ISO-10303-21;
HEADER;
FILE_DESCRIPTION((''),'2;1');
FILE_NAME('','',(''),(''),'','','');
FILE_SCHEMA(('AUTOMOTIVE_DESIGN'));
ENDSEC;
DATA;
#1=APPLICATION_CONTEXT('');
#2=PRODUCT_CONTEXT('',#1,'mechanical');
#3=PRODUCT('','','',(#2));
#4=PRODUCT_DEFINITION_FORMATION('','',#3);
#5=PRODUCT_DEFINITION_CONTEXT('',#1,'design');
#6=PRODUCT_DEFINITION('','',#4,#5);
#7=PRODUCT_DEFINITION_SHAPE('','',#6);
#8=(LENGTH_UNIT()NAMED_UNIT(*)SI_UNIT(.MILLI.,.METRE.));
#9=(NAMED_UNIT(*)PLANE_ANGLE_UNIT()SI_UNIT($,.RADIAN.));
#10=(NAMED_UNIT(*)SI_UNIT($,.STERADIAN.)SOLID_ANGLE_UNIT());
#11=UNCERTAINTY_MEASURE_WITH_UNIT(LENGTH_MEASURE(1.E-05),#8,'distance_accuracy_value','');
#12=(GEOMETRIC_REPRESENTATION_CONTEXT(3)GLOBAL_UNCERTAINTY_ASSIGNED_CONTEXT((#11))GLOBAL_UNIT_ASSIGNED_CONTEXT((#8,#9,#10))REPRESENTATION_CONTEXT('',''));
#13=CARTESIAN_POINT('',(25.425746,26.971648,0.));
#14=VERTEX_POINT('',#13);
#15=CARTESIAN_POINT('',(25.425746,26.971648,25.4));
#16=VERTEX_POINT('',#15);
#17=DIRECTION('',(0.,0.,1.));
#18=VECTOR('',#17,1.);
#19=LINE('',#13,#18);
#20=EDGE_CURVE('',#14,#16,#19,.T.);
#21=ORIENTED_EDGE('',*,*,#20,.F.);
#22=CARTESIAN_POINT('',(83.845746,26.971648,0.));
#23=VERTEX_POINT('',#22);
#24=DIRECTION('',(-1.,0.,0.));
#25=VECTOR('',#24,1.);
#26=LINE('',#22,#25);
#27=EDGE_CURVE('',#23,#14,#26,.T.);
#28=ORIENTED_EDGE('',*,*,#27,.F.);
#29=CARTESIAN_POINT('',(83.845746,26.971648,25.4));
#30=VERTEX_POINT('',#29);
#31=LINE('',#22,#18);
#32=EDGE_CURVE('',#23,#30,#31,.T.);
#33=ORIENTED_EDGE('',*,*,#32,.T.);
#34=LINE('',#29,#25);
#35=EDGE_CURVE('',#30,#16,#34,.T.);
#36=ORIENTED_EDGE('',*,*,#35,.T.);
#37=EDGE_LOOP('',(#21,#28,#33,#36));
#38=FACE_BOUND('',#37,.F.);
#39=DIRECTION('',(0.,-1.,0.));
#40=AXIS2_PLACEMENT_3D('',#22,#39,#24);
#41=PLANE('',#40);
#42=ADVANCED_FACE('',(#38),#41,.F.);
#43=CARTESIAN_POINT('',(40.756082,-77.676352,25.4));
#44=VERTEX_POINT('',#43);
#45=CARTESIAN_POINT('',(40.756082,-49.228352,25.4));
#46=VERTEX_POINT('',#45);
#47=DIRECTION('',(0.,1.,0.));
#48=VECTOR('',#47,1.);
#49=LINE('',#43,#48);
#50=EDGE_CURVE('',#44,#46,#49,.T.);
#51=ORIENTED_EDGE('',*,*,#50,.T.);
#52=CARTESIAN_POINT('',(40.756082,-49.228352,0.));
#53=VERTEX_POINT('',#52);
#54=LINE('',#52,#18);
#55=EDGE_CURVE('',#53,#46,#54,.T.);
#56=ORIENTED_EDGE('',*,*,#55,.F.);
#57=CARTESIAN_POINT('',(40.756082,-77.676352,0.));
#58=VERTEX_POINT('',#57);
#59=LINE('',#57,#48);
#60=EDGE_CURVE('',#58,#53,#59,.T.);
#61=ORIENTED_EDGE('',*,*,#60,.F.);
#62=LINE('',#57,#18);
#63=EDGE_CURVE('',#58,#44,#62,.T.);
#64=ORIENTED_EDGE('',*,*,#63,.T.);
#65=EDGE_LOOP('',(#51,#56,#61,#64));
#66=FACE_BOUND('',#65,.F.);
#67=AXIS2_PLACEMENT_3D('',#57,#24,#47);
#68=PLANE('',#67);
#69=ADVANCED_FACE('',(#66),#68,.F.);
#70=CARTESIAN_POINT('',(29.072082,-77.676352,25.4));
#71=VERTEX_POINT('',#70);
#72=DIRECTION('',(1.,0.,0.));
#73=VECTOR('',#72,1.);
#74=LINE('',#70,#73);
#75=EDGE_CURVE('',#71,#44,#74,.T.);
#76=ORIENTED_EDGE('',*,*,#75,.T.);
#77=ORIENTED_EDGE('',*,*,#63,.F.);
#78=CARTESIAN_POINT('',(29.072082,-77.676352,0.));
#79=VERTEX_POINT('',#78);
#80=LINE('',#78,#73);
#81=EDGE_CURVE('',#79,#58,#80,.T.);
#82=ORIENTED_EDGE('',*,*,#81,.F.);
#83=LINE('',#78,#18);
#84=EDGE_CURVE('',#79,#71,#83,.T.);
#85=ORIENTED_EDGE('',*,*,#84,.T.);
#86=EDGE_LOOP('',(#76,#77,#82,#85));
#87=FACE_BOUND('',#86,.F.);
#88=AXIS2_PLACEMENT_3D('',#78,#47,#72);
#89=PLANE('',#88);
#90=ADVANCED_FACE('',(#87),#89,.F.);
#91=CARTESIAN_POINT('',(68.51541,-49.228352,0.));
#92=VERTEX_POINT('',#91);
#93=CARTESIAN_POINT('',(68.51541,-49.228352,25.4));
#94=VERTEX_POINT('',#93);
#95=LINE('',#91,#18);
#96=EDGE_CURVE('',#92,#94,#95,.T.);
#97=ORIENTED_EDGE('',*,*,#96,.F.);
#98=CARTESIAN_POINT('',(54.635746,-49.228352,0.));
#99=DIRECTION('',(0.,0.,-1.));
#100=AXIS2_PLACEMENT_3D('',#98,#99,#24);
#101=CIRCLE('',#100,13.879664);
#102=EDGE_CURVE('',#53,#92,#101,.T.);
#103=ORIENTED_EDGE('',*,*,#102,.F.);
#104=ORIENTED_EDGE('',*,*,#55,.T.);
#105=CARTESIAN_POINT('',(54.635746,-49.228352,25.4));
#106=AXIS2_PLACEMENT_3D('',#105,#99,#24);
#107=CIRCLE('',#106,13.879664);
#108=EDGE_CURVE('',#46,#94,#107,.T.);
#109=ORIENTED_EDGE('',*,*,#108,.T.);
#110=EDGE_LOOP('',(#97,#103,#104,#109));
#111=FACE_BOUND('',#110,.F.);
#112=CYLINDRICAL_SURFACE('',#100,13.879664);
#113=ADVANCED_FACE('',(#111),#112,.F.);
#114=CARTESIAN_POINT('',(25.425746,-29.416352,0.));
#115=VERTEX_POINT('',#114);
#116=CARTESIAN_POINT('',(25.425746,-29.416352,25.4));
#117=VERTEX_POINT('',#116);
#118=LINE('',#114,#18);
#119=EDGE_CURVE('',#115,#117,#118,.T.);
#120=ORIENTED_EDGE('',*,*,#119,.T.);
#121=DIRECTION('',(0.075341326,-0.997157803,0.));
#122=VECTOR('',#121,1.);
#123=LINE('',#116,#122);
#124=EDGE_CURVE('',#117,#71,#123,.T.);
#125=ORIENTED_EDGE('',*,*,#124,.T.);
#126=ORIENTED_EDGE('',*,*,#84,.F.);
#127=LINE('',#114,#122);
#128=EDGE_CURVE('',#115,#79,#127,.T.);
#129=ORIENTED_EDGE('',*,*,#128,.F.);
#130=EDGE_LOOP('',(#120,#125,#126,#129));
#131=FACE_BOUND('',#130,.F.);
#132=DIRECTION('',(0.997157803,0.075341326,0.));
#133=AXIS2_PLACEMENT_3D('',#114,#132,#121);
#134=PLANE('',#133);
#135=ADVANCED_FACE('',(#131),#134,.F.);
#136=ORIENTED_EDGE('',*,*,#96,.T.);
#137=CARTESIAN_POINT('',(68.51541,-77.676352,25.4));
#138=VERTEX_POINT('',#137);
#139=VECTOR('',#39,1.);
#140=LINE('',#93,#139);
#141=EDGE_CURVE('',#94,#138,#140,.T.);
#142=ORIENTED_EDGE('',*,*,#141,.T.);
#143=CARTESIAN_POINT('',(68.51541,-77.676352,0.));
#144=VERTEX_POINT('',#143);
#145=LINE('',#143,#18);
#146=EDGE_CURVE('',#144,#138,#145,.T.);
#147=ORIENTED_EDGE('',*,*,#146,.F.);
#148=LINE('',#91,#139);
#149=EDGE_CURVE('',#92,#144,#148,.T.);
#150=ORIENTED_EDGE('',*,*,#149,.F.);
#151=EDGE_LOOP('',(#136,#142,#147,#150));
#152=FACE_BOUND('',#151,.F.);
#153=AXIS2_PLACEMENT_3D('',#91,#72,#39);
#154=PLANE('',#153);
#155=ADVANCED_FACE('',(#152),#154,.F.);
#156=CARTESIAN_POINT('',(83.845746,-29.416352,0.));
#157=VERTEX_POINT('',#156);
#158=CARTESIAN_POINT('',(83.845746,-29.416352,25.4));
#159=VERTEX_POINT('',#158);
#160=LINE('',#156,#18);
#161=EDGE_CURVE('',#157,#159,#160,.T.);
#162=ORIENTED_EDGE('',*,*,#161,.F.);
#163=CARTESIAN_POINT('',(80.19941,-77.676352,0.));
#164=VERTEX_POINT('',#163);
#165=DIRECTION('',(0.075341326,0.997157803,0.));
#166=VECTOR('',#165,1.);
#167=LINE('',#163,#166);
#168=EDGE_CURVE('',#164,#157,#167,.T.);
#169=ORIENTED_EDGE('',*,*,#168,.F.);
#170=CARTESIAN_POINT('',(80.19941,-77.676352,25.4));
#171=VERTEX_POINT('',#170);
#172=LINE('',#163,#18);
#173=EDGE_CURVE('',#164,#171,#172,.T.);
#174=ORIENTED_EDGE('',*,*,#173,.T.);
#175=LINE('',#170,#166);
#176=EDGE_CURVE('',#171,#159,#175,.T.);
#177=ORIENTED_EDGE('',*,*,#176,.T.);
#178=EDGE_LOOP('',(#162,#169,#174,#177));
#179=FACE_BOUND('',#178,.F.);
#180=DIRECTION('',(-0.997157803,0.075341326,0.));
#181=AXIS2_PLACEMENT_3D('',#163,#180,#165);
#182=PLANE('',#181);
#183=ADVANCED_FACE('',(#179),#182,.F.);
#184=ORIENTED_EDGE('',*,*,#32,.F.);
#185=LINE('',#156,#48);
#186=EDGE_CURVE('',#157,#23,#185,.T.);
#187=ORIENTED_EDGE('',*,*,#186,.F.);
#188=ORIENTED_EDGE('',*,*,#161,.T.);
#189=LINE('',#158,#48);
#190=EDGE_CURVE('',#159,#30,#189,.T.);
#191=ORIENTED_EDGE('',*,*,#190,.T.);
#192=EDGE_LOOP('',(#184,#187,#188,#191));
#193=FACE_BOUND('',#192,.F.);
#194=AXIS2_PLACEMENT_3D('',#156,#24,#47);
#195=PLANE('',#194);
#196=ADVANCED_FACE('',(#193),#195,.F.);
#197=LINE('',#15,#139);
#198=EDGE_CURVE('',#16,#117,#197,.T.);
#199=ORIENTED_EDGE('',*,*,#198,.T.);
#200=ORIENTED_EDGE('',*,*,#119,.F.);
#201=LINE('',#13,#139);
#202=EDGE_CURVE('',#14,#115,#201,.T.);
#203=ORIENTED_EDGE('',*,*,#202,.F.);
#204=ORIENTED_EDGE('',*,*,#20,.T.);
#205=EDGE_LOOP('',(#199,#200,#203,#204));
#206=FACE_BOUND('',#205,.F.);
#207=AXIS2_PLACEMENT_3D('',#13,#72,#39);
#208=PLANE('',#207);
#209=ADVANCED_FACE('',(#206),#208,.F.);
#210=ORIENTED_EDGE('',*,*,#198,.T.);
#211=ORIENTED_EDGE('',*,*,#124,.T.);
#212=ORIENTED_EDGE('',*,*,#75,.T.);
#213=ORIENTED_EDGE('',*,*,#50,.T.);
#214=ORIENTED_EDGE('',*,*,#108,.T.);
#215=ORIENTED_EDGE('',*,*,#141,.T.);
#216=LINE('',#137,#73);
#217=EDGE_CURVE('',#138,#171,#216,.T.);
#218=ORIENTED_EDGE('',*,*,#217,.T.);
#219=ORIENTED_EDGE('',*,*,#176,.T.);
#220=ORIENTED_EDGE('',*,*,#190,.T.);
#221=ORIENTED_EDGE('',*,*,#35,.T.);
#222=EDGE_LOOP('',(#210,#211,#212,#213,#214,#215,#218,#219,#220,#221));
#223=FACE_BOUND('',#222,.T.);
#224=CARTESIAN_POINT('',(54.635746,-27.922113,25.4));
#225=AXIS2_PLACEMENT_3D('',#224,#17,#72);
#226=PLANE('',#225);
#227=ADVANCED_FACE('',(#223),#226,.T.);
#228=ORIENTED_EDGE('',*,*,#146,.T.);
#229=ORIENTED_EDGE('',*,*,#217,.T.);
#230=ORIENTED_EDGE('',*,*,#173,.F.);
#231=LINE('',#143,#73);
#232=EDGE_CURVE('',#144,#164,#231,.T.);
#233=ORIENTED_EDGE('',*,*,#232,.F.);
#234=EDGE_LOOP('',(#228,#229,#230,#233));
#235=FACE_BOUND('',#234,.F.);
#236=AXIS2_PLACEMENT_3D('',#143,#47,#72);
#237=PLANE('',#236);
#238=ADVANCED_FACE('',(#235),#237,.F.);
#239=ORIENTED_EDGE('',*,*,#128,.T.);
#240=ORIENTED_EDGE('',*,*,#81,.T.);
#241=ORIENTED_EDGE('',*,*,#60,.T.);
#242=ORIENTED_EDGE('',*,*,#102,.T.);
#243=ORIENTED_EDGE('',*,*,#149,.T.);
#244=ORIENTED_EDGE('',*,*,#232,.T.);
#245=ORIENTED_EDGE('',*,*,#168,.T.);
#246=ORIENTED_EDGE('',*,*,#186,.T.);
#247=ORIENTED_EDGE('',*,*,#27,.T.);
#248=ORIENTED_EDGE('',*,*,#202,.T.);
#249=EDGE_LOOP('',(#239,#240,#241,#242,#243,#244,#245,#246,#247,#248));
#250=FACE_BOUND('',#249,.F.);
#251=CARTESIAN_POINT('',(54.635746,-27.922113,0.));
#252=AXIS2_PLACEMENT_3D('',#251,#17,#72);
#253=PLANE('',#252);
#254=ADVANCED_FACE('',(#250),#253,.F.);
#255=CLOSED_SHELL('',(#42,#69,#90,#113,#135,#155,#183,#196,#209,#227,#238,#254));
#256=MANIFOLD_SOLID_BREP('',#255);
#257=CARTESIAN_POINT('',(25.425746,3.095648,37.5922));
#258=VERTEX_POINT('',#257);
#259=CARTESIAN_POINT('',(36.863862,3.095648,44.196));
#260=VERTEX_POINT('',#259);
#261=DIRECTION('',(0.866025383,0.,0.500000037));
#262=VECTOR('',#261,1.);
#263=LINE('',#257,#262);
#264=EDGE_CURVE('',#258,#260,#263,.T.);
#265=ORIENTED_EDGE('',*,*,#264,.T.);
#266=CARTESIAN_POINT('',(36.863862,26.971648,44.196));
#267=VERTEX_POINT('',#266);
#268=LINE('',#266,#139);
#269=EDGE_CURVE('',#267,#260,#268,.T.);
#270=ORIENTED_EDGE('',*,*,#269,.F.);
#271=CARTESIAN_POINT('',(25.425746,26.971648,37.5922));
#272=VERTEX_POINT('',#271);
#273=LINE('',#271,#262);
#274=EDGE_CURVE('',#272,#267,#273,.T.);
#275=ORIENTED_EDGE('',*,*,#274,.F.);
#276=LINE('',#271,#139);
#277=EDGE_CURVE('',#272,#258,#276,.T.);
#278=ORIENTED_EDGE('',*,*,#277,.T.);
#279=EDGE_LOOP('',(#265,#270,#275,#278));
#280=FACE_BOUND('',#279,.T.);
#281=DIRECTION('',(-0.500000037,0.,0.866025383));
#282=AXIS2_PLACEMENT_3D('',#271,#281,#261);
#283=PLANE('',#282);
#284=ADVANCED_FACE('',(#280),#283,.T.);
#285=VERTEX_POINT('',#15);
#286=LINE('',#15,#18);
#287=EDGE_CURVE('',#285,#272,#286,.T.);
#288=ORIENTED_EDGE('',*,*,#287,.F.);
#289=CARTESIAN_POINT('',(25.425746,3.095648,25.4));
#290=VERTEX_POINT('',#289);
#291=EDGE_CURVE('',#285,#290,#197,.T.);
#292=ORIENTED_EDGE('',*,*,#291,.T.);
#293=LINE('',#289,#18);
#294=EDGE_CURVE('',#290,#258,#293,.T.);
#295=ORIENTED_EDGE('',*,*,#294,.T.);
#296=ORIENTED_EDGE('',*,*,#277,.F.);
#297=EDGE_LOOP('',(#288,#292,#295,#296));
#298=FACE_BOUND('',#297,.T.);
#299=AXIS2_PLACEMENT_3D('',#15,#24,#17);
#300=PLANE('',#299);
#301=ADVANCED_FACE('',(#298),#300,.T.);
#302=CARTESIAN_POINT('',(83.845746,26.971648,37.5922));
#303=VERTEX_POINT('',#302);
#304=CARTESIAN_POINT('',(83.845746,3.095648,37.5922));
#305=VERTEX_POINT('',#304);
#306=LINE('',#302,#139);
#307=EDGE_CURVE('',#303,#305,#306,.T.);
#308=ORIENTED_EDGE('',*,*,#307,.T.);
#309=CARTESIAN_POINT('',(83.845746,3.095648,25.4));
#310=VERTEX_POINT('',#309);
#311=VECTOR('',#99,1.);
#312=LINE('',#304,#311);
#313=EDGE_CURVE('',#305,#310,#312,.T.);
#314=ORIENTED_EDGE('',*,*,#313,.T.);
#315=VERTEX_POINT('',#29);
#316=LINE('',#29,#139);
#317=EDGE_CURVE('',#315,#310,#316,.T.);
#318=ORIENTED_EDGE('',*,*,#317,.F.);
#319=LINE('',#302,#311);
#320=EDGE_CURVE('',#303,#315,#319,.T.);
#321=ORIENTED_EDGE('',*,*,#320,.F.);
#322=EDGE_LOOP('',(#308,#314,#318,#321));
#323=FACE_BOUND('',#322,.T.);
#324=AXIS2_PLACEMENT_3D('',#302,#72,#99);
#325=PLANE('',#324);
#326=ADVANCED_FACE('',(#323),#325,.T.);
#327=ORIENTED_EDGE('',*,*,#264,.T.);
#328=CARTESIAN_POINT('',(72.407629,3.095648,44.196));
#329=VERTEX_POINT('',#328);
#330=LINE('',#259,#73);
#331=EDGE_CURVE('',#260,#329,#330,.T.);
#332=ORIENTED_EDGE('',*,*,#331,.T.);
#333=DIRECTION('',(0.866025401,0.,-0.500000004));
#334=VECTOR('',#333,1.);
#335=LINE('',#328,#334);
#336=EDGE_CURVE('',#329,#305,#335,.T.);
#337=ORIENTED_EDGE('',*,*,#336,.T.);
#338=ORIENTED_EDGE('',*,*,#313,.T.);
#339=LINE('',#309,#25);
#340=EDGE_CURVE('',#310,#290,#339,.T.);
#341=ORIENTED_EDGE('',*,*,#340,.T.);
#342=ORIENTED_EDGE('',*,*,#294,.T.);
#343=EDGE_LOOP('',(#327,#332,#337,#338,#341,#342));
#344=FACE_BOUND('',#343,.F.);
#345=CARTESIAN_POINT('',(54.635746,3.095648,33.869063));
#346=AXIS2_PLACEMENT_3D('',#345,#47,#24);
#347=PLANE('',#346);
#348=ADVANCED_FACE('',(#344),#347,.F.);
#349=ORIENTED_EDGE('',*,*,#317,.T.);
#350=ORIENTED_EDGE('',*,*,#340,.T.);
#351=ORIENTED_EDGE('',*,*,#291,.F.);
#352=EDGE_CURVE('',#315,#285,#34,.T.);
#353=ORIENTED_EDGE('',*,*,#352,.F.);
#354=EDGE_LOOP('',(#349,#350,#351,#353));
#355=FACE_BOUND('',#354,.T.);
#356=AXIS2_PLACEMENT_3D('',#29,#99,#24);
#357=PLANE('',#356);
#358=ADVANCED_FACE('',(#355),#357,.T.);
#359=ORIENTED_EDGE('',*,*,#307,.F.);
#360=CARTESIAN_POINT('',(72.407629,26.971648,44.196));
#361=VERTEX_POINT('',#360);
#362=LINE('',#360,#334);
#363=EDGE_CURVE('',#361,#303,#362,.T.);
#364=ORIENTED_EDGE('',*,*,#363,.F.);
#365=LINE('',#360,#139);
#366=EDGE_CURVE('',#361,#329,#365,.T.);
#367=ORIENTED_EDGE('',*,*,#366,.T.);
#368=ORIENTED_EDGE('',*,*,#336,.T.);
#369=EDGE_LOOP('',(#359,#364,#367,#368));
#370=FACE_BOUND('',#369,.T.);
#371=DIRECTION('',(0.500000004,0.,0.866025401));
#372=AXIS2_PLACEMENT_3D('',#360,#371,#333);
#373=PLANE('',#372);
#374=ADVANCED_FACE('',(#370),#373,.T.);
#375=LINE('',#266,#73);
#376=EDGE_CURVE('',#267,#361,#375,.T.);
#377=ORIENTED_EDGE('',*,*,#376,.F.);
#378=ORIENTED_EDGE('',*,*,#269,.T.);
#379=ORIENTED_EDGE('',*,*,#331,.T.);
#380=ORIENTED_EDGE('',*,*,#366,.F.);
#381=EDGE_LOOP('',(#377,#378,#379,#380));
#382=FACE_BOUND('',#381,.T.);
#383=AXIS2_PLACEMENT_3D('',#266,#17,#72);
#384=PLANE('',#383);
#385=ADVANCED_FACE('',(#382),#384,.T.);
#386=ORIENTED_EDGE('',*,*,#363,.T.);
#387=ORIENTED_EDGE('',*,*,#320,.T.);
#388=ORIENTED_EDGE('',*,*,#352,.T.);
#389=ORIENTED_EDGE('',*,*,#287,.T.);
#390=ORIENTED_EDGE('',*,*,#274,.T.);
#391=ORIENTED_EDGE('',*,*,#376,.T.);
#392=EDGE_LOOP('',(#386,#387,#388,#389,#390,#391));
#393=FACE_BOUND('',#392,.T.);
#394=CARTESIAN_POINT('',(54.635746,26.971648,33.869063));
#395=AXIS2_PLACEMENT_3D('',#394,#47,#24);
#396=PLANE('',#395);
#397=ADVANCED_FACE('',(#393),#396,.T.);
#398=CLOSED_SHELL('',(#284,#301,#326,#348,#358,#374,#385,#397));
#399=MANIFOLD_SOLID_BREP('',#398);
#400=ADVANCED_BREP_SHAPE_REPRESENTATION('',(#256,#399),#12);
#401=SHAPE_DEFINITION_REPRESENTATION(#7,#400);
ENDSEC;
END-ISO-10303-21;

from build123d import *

# Parameters (mm, degrees)
F1_DEPTH = 25.4
F3_DEPTH = 23.876


with BuildPart() as f1:
    # F0 (on Top) → F1 (new body)
    with BuildSketch(Plane.XY):
        with BuildLine():
            Line((83.845746, 26.971648), (25.425746, 26.971648))
            Line((25.425746, 26.971648), (25.425746, -29.416352))
            Line((25.425746, -29.416352), (29.072082, -77.676352))
            Line((29.072082, -77.676352), (40.756082, -77.676352))
            Line((40.756082, -77.676352), (40.756082, -49.228352))
            ThreePointArc((40.756082, -49.228352), (54.635746, -35.348688), (68.51541, -49.228352))
            Line((68.51541, -49.228352), (68.51541, -77.676352))
            Line((68.51541, -77.676352), (80.19941, -77.676352))
            Line((80.19941, -77.676352), (83.845746, -29.416352))
            Line((83.845746, -29.416352), (83.845746, 26.971648))
        make_face()
    extrude(amount=F1_DEPTH)


with BuildPart() as f3:
    # F2 (on face) → F3 (new body)
    with BuildSketch(Plane(origin=(0, 26.971648, 0), x_dir=(-1, 0, 0), z_dir=(0, 1, 0))):
        Polygon((-72.407629, 44.196), (-83.845746, 37.5922), (-83.845746, 25.4), (-25.425746, 25.4), (-25.425746, 37.5922), (-36.863862, 44.196), align=None)
    extrude(amount=-F3_DEPTH)


solid = Compound([f1.part, f3.part])
